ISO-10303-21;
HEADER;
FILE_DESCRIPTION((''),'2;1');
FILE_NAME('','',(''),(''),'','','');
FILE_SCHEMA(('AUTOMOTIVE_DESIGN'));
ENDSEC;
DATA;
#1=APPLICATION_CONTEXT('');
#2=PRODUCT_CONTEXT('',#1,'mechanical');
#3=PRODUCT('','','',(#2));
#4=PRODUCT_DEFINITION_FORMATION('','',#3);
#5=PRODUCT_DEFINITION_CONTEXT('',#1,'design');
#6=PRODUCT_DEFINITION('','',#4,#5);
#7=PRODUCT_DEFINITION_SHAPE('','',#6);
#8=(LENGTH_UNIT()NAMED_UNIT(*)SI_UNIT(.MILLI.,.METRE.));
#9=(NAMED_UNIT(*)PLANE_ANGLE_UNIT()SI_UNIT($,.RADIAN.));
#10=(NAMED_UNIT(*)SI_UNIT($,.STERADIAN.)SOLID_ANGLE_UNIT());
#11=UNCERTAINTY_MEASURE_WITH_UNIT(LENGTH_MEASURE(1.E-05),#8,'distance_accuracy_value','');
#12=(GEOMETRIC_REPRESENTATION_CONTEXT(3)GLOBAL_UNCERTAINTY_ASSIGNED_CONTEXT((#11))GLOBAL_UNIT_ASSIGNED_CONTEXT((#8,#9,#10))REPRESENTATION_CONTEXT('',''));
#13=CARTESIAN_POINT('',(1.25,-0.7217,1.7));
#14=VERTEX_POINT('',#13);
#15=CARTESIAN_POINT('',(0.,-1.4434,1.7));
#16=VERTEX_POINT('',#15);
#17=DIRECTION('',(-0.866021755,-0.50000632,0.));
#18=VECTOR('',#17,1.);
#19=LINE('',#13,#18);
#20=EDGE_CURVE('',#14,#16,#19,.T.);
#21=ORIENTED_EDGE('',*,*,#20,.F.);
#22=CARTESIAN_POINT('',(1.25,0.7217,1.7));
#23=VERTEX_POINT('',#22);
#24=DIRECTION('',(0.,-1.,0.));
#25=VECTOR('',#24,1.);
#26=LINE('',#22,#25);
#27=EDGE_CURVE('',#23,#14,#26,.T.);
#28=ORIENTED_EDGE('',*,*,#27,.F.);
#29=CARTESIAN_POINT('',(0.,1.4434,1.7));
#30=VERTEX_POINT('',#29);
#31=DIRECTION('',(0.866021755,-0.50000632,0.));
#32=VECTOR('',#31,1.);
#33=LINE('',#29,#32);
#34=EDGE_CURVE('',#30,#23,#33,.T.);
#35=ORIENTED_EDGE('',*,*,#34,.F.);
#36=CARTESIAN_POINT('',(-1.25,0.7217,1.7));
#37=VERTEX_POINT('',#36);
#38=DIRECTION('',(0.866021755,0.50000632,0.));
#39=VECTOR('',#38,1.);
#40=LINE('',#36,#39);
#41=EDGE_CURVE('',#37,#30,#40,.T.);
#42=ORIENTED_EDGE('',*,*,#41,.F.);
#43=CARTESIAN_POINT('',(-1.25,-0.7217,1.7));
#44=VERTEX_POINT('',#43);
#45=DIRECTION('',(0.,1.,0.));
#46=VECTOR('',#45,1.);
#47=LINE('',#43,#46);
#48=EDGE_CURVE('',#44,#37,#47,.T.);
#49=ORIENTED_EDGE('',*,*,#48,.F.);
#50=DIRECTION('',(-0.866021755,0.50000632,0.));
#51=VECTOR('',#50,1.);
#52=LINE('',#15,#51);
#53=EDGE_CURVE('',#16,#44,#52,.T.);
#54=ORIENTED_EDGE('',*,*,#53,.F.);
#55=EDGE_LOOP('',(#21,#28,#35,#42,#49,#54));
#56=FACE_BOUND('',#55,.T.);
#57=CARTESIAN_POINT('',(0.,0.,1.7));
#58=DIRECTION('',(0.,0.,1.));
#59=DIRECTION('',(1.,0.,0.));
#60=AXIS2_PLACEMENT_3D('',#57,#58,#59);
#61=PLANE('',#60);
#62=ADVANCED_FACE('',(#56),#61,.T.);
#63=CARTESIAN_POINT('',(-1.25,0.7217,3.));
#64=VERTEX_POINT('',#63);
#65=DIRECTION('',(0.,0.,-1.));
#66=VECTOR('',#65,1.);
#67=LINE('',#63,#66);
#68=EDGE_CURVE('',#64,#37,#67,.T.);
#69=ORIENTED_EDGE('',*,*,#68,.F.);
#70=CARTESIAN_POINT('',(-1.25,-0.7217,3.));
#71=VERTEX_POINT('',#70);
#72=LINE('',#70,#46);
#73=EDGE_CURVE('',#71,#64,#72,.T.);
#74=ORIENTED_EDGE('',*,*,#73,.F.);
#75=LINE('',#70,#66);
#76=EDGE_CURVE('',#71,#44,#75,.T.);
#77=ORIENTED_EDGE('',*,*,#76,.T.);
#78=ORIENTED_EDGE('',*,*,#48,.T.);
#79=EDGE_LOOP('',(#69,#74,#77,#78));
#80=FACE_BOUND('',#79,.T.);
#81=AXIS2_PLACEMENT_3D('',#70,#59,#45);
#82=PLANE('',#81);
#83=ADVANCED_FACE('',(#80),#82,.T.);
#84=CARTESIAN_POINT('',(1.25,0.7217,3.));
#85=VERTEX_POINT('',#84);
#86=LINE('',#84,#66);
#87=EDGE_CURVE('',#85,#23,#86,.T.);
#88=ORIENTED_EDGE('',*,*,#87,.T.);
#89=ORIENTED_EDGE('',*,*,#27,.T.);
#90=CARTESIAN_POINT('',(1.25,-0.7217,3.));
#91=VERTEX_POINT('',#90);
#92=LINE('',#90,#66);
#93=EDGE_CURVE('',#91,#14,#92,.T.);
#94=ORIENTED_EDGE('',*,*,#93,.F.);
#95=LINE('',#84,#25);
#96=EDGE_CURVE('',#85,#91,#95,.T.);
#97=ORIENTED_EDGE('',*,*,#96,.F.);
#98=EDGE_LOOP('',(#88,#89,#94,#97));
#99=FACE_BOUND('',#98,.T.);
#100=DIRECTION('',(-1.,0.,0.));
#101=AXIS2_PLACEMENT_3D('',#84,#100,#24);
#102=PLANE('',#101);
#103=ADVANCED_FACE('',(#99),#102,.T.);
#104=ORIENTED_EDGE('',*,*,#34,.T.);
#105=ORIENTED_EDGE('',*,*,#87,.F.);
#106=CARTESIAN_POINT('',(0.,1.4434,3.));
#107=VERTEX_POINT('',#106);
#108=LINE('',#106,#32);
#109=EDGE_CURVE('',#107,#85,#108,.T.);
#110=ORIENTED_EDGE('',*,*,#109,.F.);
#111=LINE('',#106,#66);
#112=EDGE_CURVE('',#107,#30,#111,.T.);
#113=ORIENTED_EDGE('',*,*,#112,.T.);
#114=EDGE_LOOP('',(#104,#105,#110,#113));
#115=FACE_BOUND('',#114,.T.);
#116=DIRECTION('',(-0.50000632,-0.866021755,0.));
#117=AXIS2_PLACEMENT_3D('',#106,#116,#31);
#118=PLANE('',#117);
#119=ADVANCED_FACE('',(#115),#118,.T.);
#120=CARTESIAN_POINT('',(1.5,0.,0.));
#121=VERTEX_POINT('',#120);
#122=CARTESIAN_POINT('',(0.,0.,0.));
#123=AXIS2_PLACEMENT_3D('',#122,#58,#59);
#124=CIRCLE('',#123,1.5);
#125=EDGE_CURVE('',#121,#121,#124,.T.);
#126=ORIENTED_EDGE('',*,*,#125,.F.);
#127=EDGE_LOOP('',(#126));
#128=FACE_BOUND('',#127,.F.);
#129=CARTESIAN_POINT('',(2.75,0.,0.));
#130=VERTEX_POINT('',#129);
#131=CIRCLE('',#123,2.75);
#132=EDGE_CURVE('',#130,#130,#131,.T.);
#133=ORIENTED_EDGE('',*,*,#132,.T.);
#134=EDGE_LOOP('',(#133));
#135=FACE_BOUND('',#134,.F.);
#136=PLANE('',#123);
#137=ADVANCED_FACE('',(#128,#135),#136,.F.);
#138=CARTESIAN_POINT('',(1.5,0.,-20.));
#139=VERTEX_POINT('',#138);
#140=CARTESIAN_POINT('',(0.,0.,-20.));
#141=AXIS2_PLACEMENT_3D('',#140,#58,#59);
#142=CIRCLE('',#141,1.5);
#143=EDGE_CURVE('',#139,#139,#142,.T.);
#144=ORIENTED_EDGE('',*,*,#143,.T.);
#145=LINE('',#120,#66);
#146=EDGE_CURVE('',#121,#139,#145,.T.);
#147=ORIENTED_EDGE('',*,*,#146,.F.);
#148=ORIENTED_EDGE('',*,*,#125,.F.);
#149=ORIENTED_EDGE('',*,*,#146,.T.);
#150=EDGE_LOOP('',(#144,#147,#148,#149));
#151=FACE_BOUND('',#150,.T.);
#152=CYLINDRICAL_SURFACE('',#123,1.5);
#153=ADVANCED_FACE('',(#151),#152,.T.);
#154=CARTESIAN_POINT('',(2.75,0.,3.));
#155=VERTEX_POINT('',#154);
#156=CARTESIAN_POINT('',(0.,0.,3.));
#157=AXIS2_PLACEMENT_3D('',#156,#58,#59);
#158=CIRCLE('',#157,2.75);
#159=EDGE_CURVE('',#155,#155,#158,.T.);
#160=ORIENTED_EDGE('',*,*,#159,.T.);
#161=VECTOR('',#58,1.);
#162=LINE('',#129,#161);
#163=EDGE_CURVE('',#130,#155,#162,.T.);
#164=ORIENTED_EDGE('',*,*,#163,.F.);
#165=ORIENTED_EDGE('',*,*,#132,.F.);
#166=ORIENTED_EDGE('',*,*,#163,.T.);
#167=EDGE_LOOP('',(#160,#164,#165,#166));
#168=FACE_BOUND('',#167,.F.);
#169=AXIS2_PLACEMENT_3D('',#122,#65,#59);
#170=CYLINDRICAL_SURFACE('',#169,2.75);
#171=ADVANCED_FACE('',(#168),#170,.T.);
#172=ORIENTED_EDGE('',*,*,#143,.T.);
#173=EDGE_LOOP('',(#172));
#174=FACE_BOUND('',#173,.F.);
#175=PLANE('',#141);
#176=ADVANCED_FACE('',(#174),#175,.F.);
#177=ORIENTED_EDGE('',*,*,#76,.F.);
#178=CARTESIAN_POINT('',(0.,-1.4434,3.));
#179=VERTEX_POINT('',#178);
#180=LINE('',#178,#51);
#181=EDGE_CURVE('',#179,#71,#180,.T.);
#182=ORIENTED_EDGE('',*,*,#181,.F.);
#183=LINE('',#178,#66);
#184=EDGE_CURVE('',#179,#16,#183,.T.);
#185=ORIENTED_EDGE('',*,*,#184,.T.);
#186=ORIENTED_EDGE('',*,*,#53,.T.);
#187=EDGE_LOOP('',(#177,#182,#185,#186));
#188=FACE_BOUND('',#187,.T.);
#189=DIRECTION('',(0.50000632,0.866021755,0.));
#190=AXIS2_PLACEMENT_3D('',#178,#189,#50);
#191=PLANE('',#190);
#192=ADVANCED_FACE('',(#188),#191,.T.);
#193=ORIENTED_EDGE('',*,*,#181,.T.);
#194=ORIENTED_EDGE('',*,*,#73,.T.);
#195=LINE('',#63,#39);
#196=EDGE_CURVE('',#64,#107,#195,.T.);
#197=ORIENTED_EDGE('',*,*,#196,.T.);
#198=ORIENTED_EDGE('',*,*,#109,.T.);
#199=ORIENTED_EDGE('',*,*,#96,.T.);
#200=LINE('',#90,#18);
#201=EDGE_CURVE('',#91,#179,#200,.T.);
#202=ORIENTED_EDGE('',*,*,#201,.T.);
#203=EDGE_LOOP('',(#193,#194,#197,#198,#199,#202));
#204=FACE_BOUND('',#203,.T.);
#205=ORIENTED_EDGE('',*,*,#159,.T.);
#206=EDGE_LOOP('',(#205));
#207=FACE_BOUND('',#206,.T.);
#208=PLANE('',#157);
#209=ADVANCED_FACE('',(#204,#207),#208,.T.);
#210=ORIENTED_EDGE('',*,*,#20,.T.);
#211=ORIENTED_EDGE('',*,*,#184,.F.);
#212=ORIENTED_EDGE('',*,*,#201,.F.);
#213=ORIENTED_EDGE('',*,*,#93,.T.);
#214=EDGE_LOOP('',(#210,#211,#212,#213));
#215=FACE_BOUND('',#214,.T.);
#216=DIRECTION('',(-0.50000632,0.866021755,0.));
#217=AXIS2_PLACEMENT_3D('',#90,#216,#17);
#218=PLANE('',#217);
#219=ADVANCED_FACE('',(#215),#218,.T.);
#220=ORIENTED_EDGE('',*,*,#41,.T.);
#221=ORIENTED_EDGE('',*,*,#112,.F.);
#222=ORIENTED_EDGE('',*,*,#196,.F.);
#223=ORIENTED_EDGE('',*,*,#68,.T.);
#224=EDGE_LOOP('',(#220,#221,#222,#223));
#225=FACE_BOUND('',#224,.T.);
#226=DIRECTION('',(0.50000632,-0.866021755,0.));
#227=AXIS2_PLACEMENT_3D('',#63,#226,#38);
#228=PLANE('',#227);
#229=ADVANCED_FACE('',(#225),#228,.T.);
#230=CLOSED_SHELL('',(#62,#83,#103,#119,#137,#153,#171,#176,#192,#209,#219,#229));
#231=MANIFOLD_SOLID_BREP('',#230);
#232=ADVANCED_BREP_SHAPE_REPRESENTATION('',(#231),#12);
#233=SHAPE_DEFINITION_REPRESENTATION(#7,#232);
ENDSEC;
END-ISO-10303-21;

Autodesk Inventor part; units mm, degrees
ref_plane "YZ Plane" through (0, 0, 0) normal (1, 0, 0) x (0, 1, 0)
ref_plane "XZ Plane" through (0, 0, 0) normal (0, 1, 0) x (-1, 0, 0)
ref_plane "XY Plane" through (0, 0, 0) normal (0, 0, 1) x (1, 0, 0)
sketch "スケッチ1" plane through (0, 0, 0) normal (0, 0, 1) x (1, 0, 0)
  circle A0 centre (0, 0) radius 1.5
  dimension "d0" = 3
extrude "押し出し1" add sketch "スケッチ1" against normal blind 20
sketch "スケッチ2" plane through (0, 0, 0) normal (0, 0, 1) x (1, 0, 0)
  circle A0 centre (0, 0) radius 2.75
  dimension "d3" = 5.5
extrude "押し出し2" add sketch "スケッチ2" along normal blind 3
sketch "スケッチ3" plane through (0, 0, 3) normal (0, 0, 1) x (1, 0, 0)
  line L0 (0, 1.4434) -> (1.25, 0.7217)
  line L1 (1.25, 0.7217) -> (1.25, -0.7217)
  line L2 (1.25, -0.7217) -> (0, -1.4434)
  line L3 (0, -1.4434) -> (-1.25, -0.7217)
  line L4 (-1.25, -0.7217) -> (-1.25, 0.7217)
  line L5 (-1.25, 0.7217) -> (0, 1.4434)
  point P0 (0, 0)
  point P1 (0, 0)
  dimension "d6" = 2.5
extrude "押し出し3" cut sketch "スケッチ3" against normal blind 1.3
thread "ねじ1" size "M3x0.5" class "6g" standard "ANSI Metric M Profile" full length
properties part number "M3キャップボルト 20" material "鋼、高強度、低合金"
